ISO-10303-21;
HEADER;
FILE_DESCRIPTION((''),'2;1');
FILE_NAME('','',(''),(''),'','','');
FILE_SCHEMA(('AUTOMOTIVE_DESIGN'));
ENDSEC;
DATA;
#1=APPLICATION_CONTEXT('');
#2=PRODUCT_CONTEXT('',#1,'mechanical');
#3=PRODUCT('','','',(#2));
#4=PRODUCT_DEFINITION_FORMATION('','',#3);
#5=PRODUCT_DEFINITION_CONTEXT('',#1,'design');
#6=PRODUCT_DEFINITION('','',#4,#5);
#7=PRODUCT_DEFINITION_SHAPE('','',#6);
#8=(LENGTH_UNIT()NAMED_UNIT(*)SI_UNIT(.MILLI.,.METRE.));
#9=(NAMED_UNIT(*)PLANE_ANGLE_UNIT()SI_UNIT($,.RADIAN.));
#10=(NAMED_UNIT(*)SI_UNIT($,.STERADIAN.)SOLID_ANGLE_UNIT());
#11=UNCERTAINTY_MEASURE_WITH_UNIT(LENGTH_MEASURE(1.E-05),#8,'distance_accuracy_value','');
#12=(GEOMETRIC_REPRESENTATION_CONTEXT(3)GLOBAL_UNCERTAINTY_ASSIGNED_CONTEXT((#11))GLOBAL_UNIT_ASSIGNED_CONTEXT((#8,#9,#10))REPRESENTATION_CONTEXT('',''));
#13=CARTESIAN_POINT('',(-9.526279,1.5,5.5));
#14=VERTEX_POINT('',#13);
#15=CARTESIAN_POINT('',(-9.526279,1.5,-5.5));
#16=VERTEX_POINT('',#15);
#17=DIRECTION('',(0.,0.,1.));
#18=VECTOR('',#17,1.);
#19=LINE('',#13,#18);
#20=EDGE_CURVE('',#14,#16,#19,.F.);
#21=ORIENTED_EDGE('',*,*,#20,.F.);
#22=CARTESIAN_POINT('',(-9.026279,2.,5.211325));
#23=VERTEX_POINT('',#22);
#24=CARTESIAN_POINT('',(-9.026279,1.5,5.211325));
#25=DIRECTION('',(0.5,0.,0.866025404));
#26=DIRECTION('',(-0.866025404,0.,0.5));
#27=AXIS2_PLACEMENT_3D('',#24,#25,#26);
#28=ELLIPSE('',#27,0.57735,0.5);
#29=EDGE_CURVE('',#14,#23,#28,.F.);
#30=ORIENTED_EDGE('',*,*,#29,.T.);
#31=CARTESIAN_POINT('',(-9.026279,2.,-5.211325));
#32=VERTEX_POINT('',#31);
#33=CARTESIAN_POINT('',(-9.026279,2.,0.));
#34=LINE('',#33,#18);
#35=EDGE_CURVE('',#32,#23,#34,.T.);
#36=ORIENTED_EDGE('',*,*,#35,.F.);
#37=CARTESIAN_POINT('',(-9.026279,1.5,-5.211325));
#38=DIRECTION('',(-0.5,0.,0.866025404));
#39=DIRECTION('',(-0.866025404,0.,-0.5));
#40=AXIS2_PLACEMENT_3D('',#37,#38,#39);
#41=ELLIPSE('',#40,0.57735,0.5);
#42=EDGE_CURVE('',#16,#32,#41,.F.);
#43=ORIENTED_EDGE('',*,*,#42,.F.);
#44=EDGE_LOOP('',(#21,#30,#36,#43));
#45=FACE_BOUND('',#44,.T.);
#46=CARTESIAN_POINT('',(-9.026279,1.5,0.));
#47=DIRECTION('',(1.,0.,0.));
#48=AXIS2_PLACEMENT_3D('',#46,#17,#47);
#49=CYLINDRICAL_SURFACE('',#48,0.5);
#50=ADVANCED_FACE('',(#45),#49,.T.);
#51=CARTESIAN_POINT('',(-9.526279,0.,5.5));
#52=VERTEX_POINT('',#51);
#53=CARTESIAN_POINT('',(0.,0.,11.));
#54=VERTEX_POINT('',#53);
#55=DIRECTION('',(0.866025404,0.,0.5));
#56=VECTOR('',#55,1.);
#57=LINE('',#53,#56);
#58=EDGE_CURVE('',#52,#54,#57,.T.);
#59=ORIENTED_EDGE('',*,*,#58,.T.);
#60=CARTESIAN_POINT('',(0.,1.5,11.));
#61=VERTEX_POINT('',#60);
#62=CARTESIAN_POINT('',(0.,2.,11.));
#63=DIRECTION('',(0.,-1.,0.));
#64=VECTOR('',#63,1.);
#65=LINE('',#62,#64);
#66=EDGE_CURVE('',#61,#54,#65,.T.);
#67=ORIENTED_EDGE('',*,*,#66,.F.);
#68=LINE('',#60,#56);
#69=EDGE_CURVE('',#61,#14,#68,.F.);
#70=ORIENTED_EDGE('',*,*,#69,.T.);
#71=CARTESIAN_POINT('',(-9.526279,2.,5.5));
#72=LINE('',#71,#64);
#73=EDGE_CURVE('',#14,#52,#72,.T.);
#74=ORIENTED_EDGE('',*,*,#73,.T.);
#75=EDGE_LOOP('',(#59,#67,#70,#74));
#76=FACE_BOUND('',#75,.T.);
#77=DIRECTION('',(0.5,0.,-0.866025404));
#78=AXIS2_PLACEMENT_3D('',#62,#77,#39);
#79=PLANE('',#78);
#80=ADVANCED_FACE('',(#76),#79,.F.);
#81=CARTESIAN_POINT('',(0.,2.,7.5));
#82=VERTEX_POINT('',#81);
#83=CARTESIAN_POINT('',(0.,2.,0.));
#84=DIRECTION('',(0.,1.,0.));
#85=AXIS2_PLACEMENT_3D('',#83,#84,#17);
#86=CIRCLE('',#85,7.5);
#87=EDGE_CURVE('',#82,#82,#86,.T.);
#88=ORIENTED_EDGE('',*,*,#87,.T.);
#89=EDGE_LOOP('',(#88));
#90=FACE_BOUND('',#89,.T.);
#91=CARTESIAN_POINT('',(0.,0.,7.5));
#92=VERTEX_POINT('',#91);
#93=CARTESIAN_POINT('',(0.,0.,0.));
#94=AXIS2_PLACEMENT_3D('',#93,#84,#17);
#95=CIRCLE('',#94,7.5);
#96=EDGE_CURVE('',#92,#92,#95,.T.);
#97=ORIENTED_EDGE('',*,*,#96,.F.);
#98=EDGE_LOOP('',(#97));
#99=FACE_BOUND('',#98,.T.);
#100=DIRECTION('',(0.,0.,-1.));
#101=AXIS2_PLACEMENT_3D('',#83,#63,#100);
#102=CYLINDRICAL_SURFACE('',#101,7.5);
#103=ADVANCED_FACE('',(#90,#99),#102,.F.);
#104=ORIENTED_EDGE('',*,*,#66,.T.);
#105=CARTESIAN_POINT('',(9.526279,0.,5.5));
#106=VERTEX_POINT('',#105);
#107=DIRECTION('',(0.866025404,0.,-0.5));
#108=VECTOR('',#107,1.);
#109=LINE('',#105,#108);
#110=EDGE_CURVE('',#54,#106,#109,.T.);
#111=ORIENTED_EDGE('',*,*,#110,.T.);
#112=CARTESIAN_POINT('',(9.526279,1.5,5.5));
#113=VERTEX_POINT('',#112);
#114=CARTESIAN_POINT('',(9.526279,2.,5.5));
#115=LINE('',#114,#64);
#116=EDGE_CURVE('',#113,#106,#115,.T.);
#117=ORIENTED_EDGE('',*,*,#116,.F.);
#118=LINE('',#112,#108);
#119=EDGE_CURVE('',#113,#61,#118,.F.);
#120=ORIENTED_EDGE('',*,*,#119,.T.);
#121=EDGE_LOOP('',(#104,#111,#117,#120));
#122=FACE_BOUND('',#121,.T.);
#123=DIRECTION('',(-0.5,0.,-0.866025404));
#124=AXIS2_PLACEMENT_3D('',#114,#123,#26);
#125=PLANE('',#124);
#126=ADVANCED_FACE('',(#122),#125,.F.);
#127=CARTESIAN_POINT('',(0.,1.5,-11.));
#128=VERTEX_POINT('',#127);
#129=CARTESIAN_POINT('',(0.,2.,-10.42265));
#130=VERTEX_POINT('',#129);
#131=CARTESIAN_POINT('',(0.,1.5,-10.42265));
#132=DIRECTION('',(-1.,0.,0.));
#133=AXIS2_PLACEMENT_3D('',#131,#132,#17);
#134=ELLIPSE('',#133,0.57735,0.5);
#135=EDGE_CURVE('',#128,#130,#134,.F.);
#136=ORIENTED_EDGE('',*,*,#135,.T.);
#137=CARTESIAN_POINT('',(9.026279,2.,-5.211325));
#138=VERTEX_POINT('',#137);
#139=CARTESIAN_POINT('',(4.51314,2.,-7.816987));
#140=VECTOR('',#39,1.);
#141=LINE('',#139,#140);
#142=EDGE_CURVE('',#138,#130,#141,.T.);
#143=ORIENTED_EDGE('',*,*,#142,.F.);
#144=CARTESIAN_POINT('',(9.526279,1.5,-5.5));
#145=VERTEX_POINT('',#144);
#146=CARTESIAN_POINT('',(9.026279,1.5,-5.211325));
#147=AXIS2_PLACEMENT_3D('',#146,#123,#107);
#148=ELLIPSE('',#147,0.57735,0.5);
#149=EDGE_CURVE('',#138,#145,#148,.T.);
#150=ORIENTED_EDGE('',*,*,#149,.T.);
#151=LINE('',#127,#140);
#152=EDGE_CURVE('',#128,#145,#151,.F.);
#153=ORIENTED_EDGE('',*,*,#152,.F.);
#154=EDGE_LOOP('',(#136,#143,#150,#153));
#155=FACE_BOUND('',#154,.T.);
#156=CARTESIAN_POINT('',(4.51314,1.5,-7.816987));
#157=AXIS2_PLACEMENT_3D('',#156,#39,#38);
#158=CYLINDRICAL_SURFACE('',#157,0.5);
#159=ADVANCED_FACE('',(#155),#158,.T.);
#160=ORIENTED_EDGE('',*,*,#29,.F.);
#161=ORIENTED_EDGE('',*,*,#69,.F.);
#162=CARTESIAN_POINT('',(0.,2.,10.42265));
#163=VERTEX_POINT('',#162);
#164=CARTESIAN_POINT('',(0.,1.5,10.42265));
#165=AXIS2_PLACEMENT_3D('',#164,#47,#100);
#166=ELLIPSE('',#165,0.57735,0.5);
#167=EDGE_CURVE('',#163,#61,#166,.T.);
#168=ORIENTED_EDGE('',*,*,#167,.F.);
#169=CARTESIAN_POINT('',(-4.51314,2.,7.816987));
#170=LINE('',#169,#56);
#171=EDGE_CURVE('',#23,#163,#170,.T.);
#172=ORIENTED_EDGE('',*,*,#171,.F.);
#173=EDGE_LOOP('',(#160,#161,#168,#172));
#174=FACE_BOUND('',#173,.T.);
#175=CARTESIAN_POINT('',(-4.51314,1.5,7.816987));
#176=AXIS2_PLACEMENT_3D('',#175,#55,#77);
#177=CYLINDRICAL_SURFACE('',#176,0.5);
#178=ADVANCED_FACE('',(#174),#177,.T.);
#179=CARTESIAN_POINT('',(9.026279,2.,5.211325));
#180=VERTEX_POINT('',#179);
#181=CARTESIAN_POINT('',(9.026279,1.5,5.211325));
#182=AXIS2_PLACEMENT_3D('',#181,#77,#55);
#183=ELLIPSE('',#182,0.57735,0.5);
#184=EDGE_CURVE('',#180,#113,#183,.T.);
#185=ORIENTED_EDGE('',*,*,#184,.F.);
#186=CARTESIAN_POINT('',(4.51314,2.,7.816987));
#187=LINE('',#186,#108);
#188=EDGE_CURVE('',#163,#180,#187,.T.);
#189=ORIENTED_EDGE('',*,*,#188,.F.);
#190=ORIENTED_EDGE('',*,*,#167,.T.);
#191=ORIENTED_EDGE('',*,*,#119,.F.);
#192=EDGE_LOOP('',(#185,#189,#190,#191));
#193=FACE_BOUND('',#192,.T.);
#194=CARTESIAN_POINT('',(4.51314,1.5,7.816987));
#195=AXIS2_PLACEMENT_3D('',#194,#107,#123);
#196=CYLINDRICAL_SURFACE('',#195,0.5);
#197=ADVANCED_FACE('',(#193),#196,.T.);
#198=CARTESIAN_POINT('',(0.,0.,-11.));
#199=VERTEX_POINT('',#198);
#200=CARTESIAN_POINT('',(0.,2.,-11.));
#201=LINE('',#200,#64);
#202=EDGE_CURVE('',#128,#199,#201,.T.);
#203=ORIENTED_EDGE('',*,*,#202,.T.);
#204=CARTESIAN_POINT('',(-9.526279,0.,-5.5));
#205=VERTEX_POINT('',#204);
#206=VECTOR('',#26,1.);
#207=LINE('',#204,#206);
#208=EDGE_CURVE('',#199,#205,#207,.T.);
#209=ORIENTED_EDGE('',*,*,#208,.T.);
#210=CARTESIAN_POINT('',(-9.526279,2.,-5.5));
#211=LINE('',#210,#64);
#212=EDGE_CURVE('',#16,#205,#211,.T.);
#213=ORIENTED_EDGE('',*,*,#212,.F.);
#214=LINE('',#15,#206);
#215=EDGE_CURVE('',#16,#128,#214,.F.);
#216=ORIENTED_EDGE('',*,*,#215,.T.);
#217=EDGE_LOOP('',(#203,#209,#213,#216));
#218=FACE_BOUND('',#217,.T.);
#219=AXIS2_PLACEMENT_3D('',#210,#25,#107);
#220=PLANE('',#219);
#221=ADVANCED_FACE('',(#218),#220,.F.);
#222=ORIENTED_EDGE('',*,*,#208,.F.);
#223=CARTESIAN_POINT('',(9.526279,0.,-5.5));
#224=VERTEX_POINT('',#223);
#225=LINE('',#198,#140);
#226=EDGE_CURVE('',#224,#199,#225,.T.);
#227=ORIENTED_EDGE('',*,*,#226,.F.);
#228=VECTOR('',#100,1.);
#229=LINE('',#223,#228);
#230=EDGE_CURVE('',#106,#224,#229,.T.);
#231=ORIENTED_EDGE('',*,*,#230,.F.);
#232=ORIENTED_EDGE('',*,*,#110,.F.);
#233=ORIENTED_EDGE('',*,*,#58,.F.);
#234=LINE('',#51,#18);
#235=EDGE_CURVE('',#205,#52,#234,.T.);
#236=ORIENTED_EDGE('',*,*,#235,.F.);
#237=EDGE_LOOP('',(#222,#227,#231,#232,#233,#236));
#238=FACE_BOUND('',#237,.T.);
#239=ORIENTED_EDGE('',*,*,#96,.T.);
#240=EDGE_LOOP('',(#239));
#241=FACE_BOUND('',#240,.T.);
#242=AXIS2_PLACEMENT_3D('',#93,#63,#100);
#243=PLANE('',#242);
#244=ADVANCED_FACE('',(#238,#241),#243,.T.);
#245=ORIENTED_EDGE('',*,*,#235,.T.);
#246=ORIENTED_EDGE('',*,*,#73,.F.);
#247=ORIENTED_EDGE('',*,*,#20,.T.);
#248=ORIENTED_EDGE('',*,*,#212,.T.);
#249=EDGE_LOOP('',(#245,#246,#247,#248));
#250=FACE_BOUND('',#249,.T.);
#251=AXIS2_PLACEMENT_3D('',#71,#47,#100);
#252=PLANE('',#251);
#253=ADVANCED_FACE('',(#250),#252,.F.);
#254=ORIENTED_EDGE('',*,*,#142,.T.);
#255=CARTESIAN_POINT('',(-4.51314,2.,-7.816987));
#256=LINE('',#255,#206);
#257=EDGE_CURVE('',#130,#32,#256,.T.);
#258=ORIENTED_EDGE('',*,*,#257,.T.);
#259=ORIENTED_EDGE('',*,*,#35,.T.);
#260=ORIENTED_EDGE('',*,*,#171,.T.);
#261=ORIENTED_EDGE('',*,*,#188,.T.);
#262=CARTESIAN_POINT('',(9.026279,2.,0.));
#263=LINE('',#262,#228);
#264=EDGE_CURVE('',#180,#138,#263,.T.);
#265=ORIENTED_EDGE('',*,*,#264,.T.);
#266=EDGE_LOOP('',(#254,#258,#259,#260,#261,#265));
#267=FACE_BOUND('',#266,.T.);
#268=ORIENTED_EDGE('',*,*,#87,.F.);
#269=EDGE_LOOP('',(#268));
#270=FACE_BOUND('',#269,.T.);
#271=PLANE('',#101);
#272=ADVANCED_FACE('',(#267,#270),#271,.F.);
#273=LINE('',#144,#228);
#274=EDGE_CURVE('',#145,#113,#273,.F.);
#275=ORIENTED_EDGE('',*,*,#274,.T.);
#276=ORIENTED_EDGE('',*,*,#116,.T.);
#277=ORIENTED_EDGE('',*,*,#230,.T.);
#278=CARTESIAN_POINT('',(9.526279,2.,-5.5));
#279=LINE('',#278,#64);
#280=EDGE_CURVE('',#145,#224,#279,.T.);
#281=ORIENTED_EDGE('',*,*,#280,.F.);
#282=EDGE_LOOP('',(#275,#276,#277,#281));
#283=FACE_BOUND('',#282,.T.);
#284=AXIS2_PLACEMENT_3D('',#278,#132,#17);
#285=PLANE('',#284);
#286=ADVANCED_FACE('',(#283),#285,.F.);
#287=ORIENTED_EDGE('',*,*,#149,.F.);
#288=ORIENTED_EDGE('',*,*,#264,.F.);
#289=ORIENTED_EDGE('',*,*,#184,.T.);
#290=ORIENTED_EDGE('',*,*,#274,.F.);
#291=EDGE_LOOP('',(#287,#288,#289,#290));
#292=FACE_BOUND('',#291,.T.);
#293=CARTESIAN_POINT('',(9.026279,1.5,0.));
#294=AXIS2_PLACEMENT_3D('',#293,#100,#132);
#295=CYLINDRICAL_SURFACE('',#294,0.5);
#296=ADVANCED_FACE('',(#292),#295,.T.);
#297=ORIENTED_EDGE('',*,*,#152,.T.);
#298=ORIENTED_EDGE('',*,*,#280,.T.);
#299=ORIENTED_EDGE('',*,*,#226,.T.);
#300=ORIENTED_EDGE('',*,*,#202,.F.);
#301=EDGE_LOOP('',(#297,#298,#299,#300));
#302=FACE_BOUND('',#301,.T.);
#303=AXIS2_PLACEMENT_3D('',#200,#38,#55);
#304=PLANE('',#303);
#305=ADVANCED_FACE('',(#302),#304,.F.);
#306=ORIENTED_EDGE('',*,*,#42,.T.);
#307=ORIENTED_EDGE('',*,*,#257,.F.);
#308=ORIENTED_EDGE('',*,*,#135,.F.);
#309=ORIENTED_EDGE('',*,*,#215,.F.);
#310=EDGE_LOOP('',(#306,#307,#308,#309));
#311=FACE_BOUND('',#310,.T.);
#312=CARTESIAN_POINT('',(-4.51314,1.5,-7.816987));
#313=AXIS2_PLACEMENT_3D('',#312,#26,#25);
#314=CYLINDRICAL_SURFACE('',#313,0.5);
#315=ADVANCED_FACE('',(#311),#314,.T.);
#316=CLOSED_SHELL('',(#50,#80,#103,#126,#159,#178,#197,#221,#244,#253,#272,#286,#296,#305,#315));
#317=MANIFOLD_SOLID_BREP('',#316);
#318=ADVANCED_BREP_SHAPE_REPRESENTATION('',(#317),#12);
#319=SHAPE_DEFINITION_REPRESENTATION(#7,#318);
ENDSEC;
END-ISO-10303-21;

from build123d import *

# Parameters (mm, degrees)
SKETCH1_R           = 7.5
BOSS_EXTRUDE1_DEPTH = 2
FILLET1_R           = 0.5


with BuildPart() as part:
    # Sketch1 → Boss-Extrude1 (new body)
    with BuildSketch(Plane(origin=(0, 0, 0), x_dir=(1, 0, 0), z_dir=(0, 1, 0))):
        Polygon((0, 11), (9.526279442, 5.5), (9.526279442, -5.5), (0, -11), (-9.526279442, -5.5), (-9.526279442, 5.5), align=None)
        with Locations(Location((0, 0, 0), (0, 0, 270))):
            Circle(SKETCH1_R, mode=Mode.SUBTRACT)
    extrude(amount=BOSS_EXTRUDE1_DEPTH)

    # Fillet1
    fillet1_edges = [part.edges().sort_by_distance(p)[0] for p in [
        (-4.763139721, 2, 8.25),
        (4.763139721, 2, 8.25),
        (9.526279442, 2, 0),
        (4.763139721, 2, -8.25),
        (-4.763139721, 2, -8.25),
        (-9.526279442, 2, 0),
    ]]
    fillet(fillet1_edges, radius=FILLET1_R)


solid = part.part
